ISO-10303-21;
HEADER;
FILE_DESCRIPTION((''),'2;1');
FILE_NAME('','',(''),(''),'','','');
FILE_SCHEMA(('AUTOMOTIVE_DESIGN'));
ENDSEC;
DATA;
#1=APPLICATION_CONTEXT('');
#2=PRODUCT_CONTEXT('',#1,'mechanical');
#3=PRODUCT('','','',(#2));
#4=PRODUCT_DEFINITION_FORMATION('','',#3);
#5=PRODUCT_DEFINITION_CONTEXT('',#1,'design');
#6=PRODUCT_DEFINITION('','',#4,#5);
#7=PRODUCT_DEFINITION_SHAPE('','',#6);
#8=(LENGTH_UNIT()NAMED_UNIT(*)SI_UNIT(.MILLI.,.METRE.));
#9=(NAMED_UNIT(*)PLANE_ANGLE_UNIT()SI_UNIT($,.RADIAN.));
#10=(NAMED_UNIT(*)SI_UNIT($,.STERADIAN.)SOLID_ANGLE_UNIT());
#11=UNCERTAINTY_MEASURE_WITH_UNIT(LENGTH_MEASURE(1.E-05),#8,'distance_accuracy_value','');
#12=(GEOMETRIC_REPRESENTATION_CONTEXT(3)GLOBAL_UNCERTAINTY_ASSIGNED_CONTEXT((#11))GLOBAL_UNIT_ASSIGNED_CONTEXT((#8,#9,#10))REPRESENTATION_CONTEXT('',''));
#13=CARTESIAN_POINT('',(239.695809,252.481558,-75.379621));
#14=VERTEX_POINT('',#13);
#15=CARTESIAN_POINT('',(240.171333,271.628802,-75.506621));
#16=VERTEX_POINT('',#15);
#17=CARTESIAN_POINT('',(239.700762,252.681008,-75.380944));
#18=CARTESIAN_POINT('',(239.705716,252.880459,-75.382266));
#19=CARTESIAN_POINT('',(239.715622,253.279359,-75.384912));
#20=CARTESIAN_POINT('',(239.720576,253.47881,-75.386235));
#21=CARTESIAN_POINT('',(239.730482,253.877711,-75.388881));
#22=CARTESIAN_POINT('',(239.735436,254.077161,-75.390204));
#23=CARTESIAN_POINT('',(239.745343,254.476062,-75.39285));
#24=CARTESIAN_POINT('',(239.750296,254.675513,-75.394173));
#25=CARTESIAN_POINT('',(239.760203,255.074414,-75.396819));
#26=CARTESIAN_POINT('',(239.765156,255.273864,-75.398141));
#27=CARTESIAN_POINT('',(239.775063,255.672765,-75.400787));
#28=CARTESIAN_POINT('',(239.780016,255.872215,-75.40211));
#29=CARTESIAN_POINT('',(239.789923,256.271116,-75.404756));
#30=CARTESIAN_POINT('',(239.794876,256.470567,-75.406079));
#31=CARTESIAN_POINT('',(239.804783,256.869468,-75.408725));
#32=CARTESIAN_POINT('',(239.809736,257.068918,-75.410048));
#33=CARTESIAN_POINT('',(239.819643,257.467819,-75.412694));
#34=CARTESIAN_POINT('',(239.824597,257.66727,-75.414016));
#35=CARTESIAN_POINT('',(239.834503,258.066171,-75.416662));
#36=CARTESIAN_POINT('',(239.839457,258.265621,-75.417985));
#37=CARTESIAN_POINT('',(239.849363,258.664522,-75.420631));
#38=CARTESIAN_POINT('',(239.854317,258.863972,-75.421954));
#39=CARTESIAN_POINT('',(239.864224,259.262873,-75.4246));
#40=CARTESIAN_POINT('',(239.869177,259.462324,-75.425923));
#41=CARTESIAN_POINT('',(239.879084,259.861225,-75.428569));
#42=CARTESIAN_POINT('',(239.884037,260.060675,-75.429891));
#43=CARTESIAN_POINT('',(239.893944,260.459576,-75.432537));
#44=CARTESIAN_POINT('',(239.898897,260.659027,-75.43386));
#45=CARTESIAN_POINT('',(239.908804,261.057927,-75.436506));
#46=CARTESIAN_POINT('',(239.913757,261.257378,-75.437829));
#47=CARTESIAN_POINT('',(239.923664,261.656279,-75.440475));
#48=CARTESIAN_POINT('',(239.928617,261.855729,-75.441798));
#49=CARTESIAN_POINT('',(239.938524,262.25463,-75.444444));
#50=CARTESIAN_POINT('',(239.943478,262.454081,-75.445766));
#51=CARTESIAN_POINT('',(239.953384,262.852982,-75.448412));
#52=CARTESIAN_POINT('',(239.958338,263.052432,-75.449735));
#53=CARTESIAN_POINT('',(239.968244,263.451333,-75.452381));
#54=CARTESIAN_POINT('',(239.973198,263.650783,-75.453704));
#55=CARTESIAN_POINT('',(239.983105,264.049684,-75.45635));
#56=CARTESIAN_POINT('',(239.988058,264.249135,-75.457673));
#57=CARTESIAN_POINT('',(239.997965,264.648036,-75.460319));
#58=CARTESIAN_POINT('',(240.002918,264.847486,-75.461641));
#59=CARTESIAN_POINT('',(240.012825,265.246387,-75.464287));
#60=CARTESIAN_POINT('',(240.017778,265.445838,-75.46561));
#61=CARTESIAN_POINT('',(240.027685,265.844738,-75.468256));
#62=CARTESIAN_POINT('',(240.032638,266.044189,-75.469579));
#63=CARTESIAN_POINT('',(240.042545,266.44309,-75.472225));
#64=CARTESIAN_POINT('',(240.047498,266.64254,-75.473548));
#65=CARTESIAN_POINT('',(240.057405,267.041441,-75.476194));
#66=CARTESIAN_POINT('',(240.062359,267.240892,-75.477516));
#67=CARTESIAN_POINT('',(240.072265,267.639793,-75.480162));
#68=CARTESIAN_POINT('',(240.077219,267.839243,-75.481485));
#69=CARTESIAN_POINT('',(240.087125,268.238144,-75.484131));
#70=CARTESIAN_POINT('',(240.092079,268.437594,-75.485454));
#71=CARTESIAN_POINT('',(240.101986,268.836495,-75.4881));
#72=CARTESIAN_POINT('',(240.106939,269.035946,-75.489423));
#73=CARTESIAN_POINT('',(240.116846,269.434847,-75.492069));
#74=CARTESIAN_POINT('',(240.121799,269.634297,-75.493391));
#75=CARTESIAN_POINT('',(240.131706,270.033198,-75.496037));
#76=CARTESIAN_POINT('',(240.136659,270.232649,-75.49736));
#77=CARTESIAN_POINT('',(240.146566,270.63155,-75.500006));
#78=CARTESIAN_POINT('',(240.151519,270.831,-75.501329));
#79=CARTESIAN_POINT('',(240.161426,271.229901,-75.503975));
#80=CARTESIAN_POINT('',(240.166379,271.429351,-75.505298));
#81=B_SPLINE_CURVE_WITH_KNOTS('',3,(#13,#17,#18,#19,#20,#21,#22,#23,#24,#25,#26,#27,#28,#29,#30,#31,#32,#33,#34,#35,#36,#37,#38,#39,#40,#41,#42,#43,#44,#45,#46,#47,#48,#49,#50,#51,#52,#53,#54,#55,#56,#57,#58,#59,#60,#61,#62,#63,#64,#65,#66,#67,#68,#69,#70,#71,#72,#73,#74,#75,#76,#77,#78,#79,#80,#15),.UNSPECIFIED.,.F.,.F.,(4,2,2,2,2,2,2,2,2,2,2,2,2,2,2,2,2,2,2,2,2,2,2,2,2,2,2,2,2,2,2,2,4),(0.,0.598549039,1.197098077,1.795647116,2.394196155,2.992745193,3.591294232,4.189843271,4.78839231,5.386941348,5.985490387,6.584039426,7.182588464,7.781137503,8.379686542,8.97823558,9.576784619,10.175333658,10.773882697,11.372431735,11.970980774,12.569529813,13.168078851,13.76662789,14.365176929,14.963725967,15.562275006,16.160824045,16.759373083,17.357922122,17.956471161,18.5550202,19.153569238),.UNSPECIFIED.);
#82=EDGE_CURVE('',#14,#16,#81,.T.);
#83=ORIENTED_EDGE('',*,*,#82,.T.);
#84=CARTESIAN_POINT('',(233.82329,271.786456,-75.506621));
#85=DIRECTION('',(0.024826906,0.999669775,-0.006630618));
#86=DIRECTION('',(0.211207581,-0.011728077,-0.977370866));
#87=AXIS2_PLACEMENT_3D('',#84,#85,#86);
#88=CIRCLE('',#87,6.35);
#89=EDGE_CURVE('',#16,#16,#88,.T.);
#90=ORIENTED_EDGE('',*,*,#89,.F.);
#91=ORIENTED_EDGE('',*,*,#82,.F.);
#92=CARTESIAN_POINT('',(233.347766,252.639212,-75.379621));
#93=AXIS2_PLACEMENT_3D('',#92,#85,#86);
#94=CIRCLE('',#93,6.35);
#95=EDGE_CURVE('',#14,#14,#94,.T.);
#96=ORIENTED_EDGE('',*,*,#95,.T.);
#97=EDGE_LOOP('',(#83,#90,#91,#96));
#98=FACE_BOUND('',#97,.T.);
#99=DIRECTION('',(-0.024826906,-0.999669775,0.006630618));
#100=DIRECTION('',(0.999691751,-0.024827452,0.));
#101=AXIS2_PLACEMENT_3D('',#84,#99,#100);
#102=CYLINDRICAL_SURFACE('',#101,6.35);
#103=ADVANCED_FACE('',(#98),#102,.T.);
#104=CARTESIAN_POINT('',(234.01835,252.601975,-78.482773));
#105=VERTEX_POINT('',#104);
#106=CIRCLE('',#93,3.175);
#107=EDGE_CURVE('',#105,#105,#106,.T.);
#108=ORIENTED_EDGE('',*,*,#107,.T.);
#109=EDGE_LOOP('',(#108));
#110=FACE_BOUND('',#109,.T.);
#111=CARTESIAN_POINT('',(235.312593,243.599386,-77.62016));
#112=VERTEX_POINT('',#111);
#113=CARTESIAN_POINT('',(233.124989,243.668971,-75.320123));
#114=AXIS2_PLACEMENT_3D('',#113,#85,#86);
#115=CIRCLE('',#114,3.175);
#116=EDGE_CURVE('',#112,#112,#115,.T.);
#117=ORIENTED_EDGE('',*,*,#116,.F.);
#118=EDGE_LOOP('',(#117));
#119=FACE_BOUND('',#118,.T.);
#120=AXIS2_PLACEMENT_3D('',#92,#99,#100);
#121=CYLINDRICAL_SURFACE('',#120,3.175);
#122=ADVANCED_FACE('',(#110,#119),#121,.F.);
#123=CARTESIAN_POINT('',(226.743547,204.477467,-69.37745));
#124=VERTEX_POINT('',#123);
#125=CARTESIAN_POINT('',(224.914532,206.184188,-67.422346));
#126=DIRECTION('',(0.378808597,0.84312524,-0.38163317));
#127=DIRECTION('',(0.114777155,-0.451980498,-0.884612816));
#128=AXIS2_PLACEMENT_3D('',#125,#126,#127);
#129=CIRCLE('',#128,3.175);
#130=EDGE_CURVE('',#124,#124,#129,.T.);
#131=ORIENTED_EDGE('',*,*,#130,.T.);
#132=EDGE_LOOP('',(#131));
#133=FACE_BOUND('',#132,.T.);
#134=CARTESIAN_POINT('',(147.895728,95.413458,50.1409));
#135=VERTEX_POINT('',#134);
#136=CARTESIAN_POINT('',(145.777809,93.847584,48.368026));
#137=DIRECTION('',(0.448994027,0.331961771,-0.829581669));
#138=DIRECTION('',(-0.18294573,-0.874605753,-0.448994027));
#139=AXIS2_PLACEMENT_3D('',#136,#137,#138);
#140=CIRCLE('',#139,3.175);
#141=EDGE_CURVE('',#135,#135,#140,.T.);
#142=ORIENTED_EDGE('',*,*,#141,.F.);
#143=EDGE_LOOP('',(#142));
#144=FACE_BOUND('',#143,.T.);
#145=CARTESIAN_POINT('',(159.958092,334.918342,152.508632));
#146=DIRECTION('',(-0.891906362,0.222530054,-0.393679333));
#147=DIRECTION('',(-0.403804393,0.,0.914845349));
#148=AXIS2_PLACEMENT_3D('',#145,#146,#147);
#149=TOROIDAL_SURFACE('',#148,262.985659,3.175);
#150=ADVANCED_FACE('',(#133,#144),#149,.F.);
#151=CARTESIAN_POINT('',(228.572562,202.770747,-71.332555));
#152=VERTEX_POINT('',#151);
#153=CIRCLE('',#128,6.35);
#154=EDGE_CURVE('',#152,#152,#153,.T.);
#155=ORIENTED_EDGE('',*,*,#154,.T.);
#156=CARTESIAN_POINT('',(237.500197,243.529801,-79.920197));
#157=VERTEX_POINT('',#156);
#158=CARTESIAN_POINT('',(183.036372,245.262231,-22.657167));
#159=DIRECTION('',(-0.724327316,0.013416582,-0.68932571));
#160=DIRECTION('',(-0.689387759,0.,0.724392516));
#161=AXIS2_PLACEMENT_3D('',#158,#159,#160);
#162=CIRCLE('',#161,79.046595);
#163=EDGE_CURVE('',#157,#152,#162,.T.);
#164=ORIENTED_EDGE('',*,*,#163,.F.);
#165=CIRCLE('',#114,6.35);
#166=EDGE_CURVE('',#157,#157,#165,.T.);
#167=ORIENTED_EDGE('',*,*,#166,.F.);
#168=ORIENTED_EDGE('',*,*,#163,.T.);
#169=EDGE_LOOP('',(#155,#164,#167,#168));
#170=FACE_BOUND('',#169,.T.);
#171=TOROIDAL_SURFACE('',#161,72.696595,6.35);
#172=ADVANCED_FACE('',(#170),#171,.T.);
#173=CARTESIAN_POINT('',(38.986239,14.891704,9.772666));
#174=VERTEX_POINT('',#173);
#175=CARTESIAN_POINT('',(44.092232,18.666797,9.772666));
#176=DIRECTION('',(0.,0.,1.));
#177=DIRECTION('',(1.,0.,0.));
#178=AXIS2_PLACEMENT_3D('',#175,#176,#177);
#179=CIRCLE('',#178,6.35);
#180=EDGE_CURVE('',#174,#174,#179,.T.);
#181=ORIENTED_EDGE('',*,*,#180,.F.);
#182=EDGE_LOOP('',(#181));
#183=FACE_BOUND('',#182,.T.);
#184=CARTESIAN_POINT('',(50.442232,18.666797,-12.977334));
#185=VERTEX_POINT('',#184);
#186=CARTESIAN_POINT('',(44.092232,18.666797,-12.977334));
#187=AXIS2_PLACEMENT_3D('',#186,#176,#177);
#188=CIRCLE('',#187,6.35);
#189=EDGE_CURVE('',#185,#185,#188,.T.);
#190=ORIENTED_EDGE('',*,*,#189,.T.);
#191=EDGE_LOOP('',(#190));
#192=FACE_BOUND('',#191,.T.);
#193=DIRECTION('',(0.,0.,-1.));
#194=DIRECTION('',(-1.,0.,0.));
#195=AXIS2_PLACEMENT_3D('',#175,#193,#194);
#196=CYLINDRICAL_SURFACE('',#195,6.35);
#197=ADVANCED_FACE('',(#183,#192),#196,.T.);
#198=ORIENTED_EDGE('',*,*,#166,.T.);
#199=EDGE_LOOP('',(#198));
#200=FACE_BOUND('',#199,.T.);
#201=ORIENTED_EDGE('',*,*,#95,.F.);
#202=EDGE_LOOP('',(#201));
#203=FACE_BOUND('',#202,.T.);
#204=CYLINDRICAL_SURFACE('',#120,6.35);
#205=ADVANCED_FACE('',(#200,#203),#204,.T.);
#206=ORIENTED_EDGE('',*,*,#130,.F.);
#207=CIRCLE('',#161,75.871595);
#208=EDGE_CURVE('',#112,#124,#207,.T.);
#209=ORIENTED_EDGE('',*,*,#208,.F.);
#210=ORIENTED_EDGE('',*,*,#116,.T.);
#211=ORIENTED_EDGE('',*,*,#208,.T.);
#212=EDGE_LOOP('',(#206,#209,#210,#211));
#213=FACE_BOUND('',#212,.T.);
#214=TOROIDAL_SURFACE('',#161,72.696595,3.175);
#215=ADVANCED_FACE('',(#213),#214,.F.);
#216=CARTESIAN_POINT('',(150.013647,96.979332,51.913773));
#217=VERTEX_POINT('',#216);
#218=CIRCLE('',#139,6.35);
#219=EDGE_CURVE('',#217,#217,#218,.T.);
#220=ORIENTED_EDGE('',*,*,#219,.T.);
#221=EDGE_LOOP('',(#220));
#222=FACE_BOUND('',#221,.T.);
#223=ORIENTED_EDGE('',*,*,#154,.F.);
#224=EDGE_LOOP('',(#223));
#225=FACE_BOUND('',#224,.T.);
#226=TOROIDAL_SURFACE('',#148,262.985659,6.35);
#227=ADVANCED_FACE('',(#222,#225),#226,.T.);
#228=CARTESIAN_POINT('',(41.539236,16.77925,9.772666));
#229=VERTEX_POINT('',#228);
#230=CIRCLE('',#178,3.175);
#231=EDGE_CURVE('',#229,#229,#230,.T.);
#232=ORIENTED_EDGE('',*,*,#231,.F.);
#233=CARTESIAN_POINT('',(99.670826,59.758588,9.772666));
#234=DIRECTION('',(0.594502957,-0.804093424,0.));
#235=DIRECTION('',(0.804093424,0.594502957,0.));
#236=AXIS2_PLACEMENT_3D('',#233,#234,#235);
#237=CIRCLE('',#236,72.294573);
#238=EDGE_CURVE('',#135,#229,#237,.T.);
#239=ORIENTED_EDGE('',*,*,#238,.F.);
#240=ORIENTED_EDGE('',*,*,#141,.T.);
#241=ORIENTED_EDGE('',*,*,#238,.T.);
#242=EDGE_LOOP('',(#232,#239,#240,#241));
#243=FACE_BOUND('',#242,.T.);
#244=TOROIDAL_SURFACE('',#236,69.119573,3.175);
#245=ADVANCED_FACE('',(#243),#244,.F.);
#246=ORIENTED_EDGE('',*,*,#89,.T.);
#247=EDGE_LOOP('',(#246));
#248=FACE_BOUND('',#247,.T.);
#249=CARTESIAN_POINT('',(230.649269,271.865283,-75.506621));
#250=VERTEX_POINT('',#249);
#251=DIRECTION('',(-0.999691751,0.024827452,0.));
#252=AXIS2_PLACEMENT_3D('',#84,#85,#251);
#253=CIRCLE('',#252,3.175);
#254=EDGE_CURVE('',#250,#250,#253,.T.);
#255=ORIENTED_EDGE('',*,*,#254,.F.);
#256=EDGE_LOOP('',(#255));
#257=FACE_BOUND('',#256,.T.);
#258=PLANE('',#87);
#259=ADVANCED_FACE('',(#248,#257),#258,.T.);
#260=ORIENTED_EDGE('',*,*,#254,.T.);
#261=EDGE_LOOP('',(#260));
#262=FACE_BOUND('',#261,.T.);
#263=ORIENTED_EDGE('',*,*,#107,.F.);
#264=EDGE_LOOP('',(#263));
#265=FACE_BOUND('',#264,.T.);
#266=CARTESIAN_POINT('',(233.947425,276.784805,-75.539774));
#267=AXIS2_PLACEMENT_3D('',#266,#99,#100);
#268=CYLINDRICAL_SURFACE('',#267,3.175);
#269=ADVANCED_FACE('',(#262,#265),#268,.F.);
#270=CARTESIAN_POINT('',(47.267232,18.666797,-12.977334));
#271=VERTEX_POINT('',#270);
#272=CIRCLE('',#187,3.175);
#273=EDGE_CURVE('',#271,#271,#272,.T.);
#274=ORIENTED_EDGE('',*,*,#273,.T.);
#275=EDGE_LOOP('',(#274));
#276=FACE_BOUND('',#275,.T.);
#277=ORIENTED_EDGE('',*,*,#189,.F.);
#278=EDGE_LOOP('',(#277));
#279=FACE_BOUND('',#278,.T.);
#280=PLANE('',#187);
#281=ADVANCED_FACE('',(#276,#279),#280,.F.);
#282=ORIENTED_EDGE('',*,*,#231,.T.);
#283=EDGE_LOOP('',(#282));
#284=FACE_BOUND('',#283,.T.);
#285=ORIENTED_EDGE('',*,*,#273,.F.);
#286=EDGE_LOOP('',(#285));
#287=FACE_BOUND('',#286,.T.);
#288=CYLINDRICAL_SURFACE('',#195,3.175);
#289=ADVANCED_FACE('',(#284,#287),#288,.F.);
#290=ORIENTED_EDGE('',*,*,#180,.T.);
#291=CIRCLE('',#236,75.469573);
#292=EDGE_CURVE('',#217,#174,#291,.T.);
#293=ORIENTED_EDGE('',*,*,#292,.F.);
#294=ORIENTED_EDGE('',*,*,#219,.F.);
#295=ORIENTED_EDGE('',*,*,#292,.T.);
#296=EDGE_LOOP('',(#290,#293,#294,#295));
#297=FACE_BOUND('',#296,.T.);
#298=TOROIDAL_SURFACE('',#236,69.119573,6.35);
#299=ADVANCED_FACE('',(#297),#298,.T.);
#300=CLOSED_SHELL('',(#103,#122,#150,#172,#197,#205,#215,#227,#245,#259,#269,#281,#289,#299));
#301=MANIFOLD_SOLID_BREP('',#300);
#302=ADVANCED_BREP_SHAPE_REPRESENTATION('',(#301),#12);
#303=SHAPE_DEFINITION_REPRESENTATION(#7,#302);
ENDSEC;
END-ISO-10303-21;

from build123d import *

# Parameters (mm, degrees)
SWEEP1_PROFILE_R     = 6.35
CUT_SWEEP1_PROFILE_R = 3.175


with BuildPart() as part:
    # Sweep1: sweep along a curve in space
    with BuildLine() as sweep1_path:
        Line((44.09223227, 18.666797388, 9.772665845), (44.09223227, 18.666797388, -12.977334155))
        ThreePointArc((44.09223227, 18.666797388, 9.772665845), (83.44709616, 47.763643929, 75.881872817), (145.777808921, 93.847583872, 48.36802607))
        ThreePointArc((145.777808921, 93.847583872, 48.36802607), (186.971547467, 138.178197356, -19.900895831), (224.914532295, 206.184188109, -67.422345819))
        ThreePointArc((233.124989376, 243.66897146, -75.320122751), (230.785950694, 224.145501617, -73.242307626), (224.914532295, 206.184188109, -67.422345819))
        Line((233.347766263, 252.639211932, -75.379620636), (233.124989376, 243.66897146, -75.320122751))
        Line((233.823290134, 271.786456188, -75.506620636), (233.347766263, 252.639211932, -75.379620636))
    # Sweep1 profile (on start of the path) → Sweep1 (sweep)
    with BuildSketch(Plane(origin=(233.823290134, 271.786456188, -75.506620636), x_dir=(-0.999691751300367, 0.024827452185136066, 0), z_dir=(-0.02482690640849771, -0.9996697752877118, 0.006630617950041174))):
        Circle(SWEEP1_PROFILE_R)
    sweep(path=sweep1_path.line)

    # Cut-Sweep1: sweep along a curve in space
    with BuildLine() as cut_sweep1_path:
        Line((44.09223227, 18.666797388, 9.772665845), (44.09223227, 18.666797388, -12.977334155))
        ThreePointArc((44.09223227, 18.666797388, 9.772665845), (83.44709616, 47.763643929, 75.881872817), (145.777808921, 93.847583872, 48.36802607))
        ThreePointArc((145.777808921, 93.847583872, 48.36802607), (186.971547467, 138.178197356, -19.900895831), (224.914532295, 206.184188109, -67.422345819))
        ThreePointArc((233.124989376, 243.66897146, -75.320122751), (230.785950694, 224.145501617, -73.242307626), (224.914532295, 206.184188109, -67.422345819))
        Line((233.347766263, 252.639211932, -75.379620636), (233.124989376, 243.66897146, -75.320122751))
        Line((233.823290134, 271.786456188, -75.506620636), (233.347766263, 252.639211932, -75.379620636))
    # Cut-Sweep1 profile (on start of the path) → Cut-Sweep1 (sweep, cut)
    with BuildSketch(Plane(origin=(233.823290134, 271.786456188, -75.506620636), x_dir=(-0.999691751300367, 0.024827452185136066, 0), z_dir=(-0.02482690640849771, -0.9996697752877118, 0.006630617950041174))):
        Circle(CUT_SWEEP1_PROFILE_R)
    sweep(path=cut_sweep1_path.line, mode=Mode.SUBTRACT)


solid = part.part
